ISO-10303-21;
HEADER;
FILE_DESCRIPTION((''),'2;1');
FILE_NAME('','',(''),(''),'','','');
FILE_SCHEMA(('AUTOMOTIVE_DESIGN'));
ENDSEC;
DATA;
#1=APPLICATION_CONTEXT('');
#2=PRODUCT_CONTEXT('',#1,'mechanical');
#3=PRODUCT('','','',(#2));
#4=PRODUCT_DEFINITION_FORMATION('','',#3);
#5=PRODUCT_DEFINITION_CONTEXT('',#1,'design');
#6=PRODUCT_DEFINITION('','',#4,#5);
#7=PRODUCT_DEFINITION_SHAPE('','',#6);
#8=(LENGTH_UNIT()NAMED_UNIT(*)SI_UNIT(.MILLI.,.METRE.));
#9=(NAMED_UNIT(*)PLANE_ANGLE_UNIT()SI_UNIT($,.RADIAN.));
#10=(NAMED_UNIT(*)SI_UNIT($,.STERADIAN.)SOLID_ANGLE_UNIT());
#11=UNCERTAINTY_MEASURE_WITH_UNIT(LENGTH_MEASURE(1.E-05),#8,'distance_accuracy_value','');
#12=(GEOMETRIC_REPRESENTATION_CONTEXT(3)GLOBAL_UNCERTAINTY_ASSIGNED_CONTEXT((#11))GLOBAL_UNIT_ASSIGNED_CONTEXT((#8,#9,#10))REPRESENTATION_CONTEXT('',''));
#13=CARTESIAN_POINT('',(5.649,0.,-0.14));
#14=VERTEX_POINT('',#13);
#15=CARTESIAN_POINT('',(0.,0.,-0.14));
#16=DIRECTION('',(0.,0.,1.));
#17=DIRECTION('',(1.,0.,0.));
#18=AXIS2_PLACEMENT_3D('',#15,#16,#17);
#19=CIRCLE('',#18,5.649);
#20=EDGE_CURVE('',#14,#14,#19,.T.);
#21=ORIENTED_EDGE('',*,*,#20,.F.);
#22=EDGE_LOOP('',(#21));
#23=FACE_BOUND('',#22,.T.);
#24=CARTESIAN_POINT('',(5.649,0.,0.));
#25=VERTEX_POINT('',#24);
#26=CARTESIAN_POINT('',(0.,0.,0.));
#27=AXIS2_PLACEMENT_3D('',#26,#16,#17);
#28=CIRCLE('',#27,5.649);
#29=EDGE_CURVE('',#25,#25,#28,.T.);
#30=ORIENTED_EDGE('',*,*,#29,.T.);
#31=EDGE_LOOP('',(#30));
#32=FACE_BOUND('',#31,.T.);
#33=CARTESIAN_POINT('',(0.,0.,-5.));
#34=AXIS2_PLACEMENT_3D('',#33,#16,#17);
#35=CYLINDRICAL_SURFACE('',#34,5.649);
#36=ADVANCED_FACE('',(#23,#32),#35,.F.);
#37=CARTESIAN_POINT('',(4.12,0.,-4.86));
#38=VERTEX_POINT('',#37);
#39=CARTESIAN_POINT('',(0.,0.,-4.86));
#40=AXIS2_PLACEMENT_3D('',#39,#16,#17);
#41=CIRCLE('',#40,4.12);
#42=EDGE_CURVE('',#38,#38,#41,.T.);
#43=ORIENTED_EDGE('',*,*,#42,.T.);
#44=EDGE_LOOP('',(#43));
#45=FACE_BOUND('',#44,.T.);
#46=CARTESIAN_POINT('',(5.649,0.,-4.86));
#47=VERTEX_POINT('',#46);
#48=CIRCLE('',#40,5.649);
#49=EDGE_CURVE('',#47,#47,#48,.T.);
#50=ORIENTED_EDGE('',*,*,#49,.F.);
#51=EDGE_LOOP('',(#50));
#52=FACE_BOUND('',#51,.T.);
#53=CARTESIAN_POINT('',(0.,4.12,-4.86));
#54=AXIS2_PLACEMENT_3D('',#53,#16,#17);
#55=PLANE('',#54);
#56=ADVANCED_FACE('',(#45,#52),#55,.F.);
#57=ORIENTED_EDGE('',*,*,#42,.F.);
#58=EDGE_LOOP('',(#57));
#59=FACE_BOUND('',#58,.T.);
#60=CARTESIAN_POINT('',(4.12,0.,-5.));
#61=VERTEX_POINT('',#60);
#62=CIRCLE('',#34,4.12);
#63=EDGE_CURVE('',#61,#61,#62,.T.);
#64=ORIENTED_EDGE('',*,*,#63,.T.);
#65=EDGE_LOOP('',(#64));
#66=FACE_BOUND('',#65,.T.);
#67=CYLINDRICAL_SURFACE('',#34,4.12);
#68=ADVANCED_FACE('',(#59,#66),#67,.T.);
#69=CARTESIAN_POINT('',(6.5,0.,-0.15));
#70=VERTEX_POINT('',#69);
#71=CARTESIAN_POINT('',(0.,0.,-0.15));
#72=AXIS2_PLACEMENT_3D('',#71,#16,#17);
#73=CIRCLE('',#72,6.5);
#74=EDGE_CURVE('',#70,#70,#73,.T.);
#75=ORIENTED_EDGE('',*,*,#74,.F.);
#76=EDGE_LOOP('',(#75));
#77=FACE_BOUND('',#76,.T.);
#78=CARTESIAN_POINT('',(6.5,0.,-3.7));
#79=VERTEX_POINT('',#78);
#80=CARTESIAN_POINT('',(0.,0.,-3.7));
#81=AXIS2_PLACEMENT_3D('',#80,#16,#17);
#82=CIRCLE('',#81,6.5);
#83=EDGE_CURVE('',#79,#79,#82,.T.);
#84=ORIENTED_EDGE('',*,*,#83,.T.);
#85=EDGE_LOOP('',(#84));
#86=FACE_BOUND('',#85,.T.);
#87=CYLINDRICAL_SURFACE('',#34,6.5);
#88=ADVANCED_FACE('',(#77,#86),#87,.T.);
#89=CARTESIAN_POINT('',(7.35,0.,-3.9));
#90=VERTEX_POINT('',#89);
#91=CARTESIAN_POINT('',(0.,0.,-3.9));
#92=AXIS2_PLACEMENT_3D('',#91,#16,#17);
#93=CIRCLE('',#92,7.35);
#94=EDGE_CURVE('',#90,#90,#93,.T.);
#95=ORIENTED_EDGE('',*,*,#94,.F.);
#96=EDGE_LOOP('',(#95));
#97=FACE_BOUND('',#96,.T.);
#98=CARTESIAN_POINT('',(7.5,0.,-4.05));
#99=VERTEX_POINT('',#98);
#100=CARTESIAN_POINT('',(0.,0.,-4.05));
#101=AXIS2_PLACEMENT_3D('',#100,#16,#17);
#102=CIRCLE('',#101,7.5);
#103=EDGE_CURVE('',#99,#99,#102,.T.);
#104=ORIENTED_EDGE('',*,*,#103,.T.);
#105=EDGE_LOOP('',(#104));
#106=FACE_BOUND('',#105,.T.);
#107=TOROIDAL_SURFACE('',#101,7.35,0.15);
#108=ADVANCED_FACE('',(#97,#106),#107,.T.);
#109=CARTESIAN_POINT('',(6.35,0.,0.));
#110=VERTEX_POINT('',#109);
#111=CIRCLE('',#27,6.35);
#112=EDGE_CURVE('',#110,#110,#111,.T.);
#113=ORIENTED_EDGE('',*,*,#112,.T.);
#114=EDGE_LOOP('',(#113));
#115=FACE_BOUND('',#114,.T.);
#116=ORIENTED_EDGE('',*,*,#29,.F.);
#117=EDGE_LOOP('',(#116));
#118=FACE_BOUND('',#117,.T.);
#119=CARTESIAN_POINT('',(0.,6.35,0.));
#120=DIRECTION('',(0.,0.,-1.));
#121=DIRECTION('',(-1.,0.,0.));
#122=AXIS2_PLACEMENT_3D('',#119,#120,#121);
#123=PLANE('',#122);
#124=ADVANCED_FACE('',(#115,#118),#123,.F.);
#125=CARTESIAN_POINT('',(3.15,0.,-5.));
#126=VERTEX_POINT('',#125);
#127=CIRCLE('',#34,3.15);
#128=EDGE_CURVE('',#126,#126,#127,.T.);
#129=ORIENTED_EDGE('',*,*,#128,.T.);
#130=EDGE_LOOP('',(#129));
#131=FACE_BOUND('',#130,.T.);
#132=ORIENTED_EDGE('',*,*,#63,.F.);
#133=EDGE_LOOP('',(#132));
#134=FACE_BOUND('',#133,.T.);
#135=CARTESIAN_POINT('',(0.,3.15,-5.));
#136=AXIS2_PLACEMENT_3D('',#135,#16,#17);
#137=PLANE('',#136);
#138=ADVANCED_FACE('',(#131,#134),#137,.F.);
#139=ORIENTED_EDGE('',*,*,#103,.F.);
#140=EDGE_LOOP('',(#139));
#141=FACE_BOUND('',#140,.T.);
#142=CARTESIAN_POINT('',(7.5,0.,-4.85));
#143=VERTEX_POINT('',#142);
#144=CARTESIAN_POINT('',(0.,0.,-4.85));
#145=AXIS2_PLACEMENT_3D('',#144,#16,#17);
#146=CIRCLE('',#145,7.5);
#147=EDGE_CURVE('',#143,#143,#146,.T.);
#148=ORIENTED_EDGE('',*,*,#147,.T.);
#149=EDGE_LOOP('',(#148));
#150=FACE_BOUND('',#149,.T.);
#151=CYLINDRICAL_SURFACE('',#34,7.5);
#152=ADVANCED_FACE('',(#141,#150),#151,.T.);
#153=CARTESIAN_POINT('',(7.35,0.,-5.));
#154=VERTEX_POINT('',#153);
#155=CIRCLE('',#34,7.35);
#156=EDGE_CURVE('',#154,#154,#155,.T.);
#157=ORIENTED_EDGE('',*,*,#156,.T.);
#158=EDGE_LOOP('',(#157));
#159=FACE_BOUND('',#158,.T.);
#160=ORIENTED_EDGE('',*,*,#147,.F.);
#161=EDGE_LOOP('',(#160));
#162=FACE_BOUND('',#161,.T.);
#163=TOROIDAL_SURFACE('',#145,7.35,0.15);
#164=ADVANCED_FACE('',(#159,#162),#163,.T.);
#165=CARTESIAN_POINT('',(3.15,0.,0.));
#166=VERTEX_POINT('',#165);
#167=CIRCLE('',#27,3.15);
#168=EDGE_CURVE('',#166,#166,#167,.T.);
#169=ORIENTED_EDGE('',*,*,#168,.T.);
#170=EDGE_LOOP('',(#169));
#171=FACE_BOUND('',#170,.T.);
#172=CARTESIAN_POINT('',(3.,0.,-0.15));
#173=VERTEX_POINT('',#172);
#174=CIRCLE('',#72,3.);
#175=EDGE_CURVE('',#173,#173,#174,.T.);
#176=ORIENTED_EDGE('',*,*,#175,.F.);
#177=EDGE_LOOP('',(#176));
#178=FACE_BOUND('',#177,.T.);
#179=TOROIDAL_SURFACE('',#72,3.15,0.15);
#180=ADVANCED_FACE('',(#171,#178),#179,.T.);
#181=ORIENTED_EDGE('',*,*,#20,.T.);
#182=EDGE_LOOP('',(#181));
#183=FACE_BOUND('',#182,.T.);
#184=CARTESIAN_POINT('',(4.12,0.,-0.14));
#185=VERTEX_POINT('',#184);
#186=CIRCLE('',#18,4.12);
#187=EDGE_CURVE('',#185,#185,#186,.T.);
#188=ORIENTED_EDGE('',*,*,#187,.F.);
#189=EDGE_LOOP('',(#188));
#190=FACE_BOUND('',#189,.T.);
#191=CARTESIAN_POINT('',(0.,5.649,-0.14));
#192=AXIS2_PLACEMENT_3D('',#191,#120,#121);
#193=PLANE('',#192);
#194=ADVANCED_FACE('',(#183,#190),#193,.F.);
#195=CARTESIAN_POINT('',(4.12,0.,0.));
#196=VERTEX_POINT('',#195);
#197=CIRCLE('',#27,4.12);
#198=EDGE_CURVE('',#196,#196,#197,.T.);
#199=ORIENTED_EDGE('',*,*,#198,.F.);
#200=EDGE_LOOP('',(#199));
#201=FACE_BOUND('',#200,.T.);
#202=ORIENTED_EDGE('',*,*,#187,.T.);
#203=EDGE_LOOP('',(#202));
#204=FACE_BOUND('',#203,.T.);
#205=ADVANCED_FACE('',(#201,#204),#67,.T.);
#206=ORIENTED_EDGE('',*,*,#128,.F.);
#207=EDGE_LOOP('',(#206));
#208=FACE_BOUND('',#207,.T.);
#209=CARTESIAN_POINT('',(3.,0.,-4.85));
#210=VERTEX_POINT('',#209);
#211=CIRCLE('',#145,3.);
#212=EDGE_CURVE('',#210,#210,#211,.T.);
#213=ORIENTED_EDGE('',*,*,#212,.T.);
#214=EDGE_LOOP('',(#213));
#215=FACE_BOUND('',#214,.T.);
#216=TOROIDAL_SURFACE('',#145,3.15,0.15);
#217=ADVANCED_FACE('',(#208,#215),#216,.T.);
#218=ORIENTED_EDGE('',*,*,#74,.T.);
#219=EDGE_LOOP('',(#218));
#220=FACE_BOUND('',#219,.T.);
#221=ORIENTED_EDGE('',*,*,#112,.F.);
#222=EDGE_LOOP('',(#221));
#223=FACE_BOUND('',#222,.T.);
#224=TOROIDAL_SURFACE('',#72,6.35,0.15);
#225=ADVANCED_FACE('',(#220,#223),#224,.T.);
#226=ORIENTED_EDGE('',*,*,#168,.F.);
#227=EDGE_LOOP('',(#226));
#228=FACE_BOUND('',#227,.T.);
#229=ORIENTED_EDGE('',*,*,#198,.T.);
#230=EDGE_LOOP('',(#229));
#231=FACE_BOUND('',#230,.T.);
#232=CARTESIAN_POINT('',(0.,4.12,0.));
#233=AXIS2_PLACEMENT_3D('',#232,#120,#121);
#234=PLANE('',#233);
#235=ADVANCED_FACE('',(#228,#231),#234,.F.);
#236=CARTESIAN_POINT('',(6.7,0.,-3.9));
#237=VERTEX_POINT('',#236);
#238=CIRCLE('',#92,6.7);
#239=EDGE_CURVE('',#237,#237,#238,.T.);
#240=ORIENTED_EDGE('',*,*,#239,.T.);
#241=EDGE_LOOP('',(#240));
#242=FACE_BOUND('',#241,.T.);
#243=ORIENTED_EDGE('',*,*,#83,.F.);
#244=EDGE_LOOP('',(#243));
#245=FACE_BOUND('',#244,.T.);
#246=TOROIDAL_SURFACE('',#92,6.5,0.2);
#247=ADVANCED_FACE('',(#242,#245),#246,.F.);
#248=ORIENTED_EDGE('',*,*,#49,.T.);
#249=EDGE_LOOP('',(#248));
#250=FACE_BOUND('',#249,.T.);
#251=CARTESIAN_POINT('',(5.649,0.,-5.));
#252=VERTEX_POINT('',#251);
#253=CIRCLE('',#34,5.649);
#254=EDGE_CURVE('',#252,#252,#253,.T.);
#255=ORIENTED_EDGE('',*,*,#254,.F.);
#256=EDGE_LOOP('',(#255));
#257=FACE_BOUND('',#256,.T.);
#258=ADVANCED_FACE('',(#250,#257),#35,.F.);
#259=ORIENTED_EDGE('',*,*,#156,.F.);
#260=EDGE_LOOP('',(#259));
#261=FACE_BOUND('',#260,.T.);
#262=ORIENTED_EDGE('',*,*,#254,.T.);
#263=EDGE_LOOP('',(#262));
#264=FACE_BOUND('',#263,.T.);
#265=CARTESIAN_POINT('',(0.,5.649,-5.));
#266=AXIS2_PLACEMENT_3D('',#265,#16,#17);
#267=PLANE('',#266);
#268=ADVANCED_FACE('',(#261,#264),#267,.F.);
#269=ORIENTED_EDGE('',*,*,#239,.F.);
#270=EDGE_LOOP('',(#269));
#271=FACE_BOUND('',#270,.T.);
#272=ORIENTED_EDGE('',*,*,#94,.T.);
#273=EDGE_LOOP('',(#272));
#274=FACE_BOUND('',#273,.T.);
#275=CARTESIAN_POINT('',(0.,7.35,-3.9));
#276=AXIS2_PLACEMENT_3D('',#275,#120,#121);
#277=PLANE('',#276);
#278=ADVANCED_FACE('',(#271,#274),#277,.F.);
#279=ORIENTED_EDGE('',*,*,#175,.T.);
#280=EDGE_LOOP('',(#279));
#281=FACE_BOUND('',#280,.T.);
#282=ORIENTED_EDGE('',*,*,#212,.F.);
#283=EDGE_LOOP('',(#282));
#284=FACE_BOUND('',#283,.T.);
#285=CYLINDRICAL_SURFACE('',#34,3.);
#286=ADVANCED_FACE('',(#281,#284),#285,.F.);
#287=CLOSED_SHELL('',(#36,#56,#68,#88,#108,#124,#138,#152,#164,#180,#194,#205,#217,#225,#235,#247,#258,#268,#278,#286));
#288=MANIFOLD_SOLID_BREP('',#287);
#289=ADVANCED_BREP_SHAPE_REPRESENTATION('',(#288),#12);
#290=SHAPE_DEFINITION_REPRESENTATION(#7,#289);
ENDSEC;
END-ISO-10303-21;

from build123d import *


with BuildPart() as part:
    # Esquisse1 → Révolution1 (revolve)
    with BuildSketch(Plane(origin=(0, 0, 0), x_dir=(0, 0, -1), z_dir=(1, 0, 0)), mode=Mode.PRIVATE) as r_volution1_sk:
        with BuildLine():
            Line((0, 6.35), (0, 5.649))
            Line((0, 5.649), (0.14, 5.649))
            Line((0.14, 5.649), (0.14, 4.12))
            Line((0.14, 4.12), (0, 4.12))
            Line((0, 4.12), (0, 3.15))
            ThreePointArc((0, 3.15), (0.043933983, 3.043933983), (0.15, 3))
            Line((0.15, 3), (4.85, 3))
            ThreePointArc((4.85, 3), (4.956066017, 3.043933983), (5, 3.15))
            Line((5, 3.15), (5, 4.12))
            Line((5, 4.12), (4.86, 4.12))
            Line((4.86, 4.12), (4.86, 5.649))
            Line((4.86, 5.649), (5, 5.649))
            Line((5, 5.649), (5, 7.35))
            ThreePointArc((5, 7.35), (4.956066017, 7.456066017), (4.85, 7.5))
            Line((4.85, 7.5), (4.05, 7.5))
            ThreePointArc((4.05, 7.5), (3.943933983, 7.456066017), (3.9, 7.35))
            Line((3.9, 7.35), (3.9, 6.7))
            ThreePointArc((3.9, 6.7), (4.041421356, 6.358578644), (3.7, 6.5))
            Line((3.7, 6.5), (0.15, 6.5))
            ThreePointArc((0.15, 6.5), (0.043933983, 6.456066017), (0, 6.35))
        make_face()
    revolve(r_volution1_sk.sketch.rotate(Axis((0, 0, -5), (0, 0, 1)), 270), axis=Axis((0, 0, -5), (0, 0, 1)))


solid = part.part
